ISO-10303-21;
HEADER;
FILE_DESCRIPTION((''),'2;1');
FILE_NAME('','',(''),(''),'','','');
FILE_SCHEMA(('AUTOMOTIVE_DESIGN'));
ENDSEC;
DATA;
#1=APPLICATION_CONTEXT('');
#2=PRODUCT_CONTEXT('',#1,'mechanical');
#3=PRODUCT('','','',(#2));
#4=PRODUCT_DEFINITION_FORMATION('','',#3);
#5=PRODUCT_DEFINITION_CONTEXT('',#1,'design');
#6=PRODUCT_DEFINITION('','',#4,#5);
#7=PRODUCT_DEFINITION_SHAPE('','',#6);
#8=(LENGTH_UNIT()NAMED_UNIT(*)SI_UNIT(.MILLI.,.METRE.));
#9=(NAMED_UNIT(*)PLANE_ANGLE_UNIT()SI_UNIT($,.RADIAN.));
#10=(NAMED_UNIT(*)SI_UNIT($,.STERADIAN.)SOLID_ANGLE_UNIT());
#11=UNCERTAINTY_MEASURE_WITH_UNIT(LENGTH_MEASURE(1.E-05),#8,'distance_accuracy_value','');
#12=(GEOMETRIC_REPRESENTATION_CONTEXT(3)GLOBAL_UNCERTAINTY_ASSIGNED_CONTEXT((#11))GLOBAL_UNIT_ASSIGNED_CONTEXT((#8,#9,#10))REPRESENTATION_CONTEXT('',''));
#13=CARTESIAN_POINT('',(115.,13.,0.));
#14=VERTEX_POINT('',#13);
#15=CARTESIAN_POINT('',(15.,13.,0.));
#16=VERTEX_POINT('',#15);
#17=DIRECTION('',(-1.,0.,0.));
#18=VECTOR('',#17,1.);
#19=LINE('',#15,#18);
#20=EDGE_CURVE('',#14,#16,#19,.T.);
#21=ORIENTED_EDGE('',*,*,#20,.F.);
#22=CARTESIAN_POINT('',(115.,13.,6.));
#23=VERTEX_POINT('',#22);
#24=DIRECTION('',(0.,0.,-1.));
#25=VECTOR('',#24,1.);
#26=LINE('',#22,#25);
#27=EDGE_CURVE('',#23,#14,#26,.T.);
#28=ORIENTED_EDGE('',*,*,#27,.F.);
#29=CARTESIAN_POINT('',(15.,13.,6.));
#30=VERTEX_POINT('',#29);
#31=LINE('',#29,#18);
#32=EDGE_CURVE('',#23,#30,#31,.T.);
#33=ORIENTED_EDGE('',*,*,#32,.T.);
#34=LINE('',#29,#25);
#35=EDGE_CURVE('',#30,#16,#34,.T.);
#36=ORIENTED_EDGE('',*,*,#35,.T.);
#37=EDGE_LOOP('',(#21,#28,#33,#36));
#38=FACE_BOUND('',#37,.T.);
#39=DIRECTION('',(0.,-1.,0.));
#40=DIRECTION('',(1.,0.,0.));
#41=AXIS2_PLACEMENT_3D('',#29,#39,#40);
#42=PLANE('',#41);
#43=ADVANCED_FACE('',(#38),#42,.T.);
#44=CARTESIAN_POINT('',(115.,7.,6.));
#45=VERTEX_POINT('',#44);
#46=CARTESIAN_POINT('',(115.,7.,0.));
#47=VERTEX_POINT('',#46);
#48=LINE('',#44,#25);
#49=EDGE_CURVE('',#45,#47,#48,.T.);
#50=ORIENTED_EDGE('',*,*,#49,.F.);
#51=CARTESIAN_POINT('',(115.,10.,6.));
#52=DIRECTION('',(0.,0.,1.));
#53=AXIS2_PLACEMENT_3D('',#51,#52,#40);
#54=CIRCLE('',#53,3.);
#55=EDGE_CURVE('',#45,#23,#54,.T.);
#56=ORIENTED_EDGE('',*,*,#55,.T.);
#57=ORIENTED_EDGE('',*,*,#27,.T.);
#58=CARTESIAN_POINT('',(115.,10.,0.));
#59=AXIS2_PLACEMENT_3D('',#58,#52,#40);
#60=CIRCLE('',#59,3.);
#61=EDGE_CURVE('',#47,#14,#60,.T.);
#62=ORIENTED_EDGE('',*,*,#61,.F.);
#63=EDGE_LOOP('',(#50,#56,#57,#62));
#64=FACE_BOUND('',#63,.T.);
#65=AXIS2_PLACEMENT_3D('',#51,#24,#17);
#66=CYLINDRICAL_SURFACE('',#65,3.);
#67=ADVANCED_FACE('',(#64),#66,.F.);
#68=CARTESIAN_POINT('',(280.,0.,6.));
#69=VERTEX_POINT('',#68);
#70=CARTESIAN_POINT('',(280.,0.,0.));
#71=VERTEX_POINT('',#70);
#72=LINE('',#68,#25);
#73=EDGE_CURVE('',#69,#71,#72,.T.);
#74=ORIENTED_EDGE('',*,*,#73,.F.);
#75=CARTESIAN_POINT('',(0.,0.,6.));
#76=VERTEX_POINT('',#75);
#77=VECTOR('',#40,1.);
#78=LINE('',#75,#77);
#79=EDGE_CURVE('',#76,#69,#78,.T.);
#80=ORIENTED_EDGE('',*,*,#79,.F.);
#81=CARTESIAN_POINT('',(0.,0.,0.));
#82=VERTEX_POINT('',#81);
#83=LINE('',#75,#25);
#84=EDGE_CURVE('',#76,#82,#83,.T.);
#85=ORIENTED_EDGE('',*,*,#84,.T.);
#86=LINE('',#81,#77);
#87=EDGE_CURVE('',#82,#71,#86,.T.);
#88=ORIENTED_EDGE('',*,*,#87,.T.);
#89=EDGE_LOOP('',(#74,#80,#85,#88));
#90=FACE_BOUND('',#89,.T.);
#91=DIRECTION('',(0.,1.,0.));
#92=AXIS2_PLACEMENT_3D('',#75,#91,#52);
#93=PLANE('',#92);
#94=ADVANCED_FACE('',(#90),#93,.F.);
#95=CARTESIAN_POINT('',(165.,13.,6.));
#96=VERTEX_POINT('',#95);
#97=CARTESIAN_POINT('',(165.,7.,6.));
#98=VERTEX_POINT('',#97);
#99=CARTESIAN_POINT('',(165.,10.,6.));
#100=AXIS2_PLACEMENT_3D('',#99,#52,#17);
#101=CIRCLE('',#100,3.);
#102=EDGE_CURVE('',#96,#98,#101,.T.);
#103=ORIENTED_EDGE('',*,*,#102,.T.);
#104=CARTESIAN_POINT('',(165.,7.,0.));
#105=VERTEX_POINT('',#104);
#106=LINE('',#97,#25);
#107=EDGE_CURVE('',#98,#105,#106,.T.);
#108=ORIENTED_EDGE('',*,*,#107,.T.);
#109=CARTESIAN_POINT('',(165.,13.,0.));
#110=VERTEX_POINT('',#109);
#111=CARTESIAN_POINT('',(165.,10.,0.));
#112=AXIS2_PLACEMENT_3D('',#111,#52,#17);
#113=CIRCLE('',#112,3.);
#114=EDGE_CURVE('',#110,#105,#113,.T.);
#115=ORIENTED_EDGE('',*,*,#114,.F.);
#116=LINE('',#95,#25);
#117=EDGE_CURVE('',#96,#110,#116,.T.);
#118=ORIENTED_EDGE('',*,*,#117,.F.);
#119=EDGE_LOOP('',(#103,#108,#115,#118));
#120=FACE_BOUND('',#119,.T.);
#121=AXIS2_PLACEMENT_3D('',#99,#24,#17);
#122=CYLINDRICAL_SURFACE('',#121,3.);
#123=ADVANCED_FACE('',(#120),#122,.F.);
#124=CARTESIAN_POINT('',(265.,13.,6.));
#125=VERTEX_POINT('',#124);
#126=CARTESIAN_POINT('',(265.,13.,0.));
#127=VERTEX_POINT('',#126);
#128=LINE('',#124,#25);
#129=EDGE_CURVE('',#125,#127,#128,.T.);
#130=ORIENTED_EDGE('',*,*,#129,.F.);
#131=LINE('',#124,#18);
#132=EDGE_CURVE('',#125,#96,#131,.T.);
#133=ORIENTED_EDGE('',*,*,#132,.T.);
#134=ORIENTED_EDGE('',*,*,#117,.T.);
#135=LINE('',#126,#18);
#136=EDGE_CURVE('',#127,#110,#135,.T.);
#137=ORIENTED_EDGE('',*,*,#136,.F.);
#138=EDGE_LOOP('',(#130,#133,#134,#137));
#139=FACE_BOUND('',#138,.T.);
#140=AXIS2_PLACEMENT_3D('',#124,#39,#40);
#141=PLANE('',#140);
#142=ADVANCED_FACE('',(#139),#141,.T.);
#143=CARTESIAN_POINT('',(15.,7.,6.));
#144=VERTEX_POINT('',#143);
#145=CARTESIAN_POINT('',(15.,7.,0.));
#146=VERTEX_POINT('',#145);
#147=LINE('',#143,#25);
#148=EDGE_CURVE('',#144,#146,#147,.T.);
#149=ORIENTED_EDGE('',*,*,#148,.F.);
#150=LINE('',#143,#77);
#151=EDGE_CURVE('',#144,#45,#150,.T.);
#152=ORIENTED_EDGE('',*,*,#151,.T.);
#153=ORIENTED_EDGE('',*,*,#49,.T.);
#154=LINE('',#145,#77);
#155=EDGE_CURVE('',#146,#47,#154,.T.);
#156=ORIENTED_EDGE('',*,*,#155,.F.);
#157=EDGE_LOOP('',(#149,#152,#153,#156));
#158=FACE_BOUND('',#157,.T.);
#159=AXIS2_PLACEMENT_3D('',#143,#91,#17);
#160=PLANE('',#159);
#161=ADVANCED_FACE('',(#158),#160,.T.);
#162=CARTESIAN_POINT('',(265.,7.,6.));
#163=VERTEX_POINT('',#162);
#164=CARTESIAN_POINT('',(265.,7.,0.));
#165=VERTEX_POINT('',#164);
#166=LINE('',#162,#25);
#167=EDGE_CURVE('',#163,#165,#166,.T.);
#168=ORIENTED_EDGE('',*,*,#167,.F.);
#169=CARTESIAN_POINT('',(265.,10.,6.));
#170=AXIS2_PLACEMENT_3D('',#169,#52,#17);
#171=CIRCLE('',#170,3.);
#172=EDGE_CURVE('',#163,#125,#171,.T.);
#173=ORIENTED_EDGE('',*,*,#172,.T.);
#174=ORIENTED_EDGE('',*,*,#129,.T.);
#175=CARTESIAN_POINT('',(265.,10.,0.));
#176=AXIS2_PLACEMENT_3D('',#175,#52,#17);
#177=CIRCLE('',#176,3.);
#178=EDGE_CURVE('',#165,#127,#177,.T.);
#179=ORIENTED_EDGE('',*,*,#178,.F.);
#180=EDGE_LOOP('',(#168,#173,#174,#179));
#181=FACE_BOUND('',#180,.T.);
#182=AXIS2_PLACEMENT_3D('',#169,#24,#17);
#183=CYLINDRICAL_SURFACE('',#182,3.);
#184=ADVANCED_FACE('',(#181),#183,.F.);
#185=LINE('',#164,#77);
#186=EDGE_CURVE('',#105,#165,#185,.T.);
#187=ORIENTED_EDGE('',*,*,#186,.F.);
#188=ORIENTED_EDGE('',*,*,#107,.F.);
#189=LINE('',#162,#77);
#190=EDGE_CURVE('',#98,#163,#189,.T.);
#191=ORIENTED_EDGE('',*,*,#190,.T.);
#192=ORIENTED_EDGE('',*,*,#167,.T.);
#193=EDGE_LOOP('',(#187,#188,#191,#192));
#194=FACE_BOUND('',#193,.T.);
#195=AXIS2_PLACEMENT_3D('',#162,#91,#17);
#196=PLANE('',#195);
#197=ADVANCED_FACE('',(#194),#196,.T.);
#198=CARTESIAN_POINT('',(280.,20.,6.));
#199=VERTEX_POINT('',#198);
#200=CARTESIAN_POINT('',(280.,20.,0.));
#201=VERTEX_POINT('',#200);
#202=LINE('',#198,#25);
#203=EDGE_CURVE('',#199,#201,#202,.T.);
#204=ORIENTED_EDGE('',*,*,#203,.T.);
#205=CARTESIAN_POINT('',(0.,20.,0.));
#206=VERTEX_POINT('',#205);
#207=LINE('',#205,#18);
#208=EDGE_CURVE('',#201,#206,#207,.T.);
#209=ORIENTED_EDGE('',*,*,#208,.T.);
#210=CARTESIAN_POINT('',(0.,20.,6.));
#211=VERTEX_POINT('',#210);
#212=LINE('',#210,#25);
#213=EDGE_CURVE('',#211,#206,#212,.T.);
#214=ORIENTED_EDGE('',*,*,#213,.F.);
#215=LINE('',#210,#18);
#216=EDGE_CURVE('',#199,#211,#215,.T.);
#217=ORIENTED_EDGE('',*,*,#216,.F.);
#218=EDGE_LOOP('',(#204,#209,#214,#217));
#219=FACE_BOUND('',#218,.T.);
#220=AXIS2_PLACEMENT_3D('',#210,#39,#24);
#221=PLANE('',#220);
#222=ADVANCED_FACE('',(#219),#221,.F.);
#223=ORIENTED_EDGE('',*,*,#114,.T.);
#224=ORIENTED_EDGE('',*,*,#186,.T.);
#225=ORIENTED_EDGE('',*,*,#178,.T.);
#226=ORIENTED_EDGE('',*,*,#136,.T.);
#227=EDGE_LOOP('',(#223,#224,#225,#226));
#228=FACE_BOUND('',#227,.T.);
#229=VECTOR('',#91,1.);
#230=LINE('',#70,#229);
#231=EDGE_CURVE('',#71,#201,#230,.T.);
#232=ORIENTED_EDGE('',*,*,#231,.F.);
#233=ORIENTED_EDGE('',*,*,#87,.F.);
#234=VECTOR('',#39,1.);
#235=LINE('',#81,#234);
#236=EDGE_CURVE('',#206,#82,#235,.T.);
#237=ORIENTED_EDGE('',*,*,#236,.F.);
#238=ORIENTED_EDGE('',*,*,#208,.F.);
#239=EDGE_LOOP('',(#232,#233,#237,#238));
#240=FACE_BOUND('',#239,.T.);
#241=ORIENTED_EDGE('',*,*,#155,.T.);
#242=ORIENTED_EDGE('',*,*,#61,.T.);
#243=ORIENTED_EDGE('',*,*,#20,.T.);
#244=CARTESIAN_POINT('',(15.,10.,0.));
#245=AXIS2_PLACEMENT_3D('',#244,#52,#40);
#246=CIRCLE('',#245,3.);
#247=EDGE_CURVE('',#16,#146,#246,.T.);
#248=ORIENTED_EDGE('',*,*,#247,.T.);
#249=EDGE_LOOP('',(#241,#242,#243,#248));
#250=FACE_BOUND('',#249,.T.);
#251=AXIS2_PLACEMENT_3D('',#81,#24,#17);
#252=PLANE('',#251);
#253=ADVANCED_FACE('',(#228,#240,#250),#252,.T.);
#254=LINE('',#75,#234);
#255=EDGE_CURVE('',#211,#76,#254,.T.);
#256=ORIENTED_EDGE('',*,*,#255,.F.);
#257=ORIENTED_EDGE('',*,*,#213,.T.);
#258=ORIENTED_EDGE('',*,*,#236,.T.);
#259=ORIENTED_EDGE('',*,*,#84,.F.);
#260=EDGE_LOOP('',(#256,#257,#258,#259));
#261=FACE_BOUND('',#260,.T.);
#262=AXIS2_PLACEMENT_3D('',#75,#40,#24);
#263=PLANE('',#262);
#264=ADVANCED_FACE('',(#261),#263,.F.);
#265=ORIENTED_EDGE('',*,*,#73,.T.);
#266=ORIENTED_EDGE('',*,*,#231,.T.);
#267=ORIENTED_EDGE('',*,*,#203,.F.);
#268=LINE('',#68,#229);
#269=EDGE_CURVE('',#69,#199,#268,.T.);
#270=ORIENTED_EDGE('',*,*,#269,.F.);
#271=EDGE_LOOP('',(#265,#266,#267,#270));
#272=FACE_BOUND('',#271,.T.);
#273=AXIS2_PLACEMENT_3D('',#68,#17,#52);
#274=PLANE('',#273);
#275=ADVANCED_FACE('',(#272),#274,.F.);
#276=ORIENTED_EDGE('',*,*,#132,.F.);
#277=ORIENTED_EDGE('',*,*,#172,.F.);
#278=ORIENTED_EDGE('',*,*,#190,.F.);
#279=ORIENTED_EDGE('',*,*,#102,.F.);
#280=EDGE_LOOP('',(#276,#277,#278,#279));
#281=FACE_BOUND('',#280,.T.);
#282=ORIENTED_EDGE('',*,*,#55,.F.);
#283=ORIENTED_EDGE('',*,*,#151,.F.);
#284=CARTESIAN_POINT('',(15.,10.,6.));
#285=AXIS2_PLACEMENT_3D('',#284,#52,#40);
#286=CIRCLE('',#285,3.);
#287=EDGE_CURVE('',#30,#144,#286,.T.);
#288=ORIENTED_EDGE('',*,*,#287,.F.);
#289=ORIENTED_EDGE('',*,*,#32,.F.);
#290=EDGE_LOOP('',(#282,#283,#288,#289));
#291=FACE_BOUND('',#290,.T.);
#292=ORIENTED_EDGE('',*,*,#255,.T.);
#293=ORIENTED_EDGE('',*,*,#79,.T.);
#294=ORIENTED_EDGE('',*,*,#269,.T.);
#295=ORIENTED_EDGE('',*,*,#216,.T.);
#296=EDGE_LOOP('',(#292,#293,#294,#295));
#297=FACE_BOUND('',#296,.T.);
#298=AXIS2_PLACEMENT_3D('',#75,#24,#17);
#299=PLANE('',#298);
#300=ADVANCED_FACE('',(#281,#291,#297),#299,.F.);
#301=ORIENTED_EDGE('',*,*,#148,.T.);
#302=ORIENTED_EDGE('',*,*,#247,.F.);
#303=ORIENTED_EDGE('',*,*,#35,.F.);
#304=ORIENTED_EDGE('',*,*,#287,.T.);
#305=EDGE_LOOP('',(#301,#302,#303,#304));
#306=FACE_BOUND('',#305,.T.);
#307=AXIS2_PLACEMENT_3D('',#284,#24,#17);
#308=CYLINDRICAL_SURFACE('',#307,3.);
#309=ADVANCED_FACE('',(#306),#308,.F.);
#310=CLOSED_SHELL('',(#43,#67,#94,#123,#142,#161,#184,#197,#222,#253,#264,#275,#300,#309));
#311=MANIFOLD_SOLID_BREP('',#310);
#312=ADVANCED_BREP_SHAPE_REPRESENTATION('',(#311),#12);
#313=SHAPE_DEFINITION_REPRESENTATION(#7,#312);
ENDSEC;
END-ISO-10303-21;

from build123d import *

# Parameters (mm, degrees)
SKETCH_1_W      = 280
SKETCH_1_H      = 20
EXTRUDE_2_DEPTH = 6


with BuildPart() as part:
    # 草图1 → 凸台-拉伸2 (new body)
    with BuildSketch(Plane.XY):
        with Locations((140, 10)):
            Rectangle(SKETCH_1_W, SKETCH_1_H)
        with BuildLine():
            Line((15, 13), (115, 13))
            ThreePointArc((115, 13), (118, 10), (115, 7))
            Line((115, 7), (15, 7))
            ThreePointArc((15, 7), (12, 10), (15, 13))
        make_face(mode=Mode.SUBTRACT)
        with BuildLine():
            Line((265, 13), (165, 13))
            ThreePointArc((165, 13), (162, 10), (165, 7))
            Line((165, 7), (265, 7))
            ThreePointArc((265, 7), (268, 10), (265, 13))
        make_face(mode=Mode.SUBTRACT)
    extrude(amount=EXTRUDE_2_DEPTH)


solid = part.part
